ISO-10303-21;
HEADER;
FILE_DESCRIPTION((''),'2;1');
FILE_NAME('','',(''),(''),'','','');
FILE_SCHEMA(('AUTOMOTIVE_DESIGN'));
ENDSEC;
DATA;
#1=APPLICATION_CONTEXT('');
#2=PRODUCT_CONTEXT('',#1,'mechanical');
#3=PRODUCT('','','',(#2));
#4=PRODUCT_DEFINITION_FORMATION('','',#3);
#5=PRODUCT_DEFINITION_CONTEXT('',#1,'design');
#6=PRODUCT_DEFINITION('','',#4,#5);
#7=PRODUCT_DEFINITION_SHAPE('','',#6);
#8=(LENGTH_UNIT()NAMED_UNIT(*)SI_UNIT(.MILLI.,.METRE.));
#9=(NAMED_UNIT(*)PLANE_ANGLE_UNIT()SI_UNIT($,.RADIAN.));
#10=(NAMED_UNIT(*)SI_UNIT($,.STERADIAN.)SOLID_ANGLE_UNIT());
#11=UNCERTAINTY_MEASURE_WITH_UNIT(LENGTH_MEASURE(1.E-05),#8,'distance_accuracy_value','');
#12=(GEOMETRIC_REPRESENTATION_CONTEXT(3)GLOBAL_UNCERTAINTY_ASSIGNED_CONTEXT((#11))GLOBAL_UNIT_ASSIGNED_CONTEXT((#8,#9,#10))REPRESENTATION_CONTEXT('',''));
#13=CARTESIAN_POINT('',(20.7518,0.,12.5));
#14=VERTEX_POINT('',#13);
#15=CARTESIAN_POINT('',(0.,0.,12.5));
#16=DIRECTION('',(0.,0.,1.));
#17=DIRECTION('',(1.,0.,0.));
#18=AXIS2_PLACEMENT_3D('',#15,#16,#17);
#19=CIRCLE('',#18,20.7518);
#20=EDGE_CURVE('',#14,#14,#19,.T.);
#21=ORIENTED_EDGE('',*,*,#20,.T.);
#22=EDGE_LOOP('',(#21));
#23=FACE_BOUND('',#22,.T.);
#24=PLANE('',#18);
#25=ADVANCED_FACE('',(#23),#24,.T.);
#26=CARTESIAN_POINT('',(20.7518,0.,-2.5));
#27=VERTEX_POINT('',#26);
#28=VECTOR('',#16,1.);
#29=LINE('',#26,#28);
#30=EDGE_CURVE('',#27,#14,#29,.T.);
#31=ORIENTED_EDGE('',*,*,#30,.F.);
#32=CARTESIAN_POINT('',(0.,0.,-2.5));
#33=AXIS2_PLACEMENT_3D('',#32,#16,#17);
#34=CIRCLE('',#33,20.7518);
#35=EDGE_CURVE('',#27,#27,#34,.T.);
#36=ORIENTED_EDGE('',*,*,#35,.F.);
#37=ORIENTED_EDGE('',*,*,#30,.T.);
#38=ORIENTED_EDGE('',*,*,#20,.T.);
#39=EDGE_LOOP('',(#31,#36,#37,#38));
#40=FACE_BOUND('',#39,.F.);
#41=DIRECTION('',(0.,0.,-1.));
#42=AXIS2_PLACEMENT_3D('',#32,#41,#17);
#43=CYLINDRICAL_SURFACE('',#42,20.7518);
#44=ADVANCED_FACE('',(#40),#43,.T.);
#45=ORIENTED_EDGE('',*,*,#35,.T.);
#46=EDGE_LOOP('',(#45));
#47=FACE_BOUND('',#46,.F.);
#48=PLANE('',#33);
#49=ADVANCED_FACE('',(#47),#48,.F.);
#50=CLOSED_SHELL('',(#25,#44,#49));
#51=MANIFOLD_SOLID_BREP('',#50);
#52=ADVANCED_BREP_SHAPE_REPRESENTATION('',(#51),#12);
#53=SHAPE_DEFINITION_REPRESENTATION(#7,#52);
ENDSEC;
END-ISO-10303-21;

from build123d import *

# Parameters (mm, degrees)
CYLINDER_R     = 20.7518
CYLINDER_DEPTH = 15


with BuildPart() as part:
    # Cylinder → Cylinder (new body)
    with BuildSketch(Plane.XY.offset(-2.5)):
        Circle(CYLINDER_R)
    extrude(amount=CYLINDER_DEPTH)


solid = part.part
